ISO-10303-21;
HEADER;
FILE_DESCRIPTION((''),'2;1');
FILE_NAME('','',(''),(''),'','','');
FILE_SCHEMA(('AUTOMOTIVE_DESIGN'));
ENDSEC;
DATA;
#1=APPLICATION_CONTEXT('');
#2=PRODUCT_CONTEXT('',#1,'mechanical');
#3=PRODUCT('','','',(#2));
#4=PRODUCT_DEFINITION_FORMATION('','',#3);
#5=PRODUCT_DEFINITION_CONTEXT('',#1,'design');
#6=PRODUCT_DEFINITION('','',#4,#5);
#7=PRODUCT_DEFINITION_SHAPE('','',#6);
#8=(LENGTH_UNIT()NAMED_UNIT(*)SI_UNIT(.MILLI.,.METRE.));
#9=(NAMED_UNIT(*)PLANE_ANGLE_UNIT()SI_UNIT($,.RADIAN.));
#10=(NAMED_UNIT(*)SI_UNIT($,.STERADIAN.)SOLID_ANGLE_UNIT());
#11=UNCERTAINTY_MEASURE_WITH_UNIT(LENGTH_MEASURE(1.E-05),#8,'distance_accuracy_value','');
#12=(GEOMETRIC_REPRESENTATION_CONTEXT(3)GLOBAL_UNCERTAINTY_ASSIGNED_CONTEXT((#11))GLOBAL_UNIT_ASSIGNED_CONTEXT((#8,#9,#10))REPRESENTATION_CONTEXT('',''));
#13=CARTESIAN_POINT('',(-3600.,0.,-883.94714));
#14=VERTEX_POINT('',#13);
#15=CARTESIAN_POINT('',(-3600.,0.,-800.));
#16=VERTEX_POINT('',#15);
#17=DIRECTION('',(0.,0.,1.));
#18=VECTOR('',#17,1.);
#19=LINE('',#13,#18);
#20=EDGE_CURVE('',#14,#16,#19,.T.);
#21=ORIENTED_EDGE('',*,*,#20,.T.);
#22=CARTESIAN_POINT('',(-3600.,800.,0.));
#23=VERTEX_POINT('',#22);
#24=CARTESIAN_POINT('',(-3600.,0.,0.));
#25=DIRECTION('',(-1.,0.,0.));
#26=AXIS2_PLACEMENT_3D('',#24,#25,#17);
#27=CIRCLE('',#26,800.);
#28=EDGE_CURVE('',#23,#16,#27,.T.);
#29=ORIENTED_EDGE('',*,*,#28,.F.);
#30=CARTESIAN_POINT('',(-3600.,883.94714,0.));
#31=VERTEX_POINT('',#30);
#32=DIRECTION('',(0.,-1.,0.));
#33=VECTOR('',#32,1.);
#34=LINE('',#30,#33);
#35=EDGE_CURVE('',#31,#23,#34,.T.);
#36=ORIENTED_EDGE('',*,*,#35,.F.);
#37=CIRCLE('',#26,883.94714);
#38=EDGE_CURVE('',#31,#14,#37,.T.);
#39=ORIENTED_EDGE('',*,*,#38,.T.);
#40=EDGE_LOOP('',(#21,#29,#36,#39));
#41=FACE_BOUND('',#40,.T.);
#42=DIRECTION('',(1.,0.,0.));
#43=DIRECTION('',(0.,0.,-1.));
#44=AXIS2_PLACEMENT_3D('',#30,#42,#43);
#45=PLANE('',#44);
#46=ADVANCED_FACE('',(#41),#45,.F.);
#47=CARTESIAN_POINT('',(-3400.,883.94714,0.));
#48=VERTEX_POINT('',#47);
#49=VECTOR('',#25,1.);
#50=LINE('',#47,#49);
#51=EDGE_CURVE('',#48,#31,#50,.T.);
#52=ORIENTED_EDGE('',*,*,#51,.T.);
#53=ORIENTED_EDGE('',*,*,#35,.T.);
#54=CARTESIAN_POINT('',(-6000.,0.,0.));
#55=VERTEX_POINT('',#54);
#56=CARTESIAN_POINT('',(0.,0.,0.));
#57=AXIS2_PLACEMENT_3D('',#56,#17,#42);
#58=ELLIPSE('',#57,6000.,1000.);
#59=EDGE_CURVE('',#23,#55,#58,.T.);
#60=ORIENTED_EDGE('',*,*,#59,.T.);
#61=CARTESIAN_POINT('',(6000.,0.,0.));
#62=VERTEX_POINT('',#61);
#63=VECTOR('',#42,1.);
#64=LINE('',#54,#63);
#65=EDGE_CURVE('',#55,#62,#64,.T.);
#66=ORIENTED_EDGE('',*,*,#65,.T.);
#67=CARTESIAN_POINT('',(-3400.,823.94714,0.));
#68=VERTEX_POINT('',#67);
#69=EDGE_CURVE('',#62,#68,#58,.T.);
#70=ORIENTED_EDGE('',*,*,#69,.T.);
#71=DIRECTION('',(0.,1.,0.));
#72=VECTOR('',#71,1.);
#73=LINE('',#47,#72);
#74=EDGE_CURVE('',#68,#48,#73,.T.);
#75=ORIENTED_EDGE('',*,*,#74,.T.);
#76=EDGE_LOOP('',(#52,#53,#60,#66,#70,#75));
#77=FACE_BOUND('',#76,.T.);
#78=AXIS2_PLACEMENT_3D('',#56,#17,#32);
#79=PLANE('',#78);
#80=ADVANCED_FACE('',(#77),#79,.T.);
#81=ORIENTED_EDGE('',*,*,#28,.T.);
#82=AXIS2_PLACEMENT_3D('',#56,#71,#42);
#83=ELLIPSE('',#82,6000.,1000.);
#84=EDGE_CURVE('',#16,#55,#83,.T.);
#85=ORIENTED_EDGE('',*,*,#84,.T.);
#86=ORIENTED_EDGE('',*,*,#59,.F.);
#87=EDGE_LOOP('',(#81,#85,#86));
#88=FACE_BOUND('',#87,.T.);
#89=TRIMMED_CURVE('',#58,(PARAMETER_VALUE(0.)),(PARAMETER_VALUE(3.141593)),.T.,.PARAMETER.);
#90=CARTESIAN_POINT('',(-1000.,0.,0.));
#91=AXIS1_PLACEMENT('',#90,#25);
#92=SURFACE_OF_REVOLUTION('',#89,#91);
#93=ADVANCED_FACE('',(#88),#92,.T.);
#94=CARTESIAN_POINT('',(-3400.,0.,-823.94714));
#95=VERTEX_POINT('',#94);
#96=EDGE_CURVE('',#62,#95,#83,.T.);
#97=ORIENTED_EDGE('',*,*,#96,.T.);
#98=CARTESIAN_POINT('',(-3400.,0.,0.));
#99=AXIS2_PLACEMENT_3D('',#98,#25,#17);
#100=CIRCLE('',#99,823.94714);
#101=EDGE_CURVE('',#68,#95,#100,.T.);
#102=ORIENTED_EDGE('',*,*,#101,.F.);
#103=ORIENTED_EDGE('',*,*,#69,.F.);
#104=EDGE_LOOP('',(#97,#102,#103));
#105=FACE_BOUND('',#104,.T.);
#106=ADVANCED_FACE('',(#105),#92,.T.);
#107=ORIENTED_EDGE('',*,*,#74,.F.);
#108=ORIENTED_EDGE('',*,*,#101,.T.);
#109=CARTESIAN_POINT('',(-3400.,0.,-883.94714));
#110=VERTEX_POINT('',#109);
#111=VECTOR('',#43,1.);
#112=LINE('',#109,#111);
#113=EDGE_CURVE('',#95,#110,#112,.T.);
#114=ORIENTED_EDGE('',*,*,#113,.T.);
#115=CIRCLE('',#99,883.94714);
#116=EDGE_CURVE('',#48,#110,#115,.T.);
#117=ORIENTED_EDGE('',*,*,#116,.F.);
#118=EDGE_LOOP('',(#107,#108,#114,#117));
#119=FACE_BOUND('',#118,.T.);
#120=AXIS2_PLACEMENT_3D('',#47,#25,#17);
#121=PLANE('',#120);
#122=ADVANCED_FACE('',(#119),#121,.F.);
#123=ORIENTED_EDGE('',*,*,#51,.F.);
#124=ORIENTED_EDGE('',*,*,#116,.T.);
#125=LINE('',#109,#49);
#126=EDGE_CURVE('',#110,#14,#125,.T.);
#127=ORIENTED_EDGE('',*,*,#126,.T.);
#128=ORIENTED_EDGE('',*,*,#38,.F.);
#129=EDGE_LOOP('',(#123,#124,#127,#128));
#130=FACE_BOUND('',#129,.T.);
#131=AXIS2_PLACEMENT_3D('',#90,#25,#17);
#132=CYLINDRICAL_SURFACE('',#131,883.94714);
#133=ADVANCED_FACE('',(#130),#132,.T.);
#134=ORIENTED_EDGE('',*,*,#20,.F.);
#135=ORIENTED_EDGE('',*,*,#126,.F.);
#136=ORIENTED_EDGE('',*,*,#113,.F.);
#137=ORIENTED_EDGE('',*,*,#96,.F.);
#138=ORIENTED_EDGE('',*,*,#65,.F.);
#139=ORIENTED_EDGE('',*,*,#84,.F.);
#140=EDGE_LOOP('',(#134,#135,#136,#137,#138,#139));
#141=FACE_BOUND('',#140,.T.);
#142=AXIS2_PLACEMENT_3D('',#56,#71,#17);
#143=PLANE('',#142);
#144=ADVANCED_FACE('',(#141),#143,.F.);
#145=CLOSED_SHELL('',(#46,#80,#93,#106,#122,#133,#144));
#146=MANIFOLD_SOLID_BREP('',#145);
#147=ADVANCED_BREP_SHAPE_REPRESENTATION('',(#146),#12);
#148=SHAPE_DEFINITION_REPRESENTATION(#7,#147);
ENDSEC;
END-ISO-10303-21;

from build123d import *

# Parameters (mm, degrees)
REVOLVE1_ANGLE = 90


with BuildPart() as part:
    # Sketch1 → Revolve1 (revolve)
    with BuildSketch(Plane(origin=(0, 0, 0), x_dir=(1, 0, 0), z_dir=(0, 1, 0))):
        with BuildLine():
            Line((-6000, 0), (6000, 0))
            add(Edge.make_bspline(
                [(6000, 0), (6000, 1901.416476047), (-3400, 823.947139621)],
                knots=[0, 0, 0, 2.17325096, 2.17325096, 2.17325096], degree=2, weights=[1, 0.465474668, 1]))
            Line((-3400, 823.947139621), (-3400, 883.947139621))
            Line((-3400, 883.947139621), (-3600, 883.947139621))
            Line((-3600, 883.947139621), (-3600, 800))
            add(Edge.make_bspline(
                [(-3600, 800), (-6000, 500), (-6000, 0)],
                knots=[2.214297436, 2.214297436, 2.214297436, 3.141592654, 3.141592654, 3.141592654], degree=2, weights=[1, 0.894427191, 1]))
        make_face()
    revolve(axis=Axis((-1000, 0, 0), (1, 0, 0)), revolution_arc=REVOLVE1_ANGLE)


solid = part.part
